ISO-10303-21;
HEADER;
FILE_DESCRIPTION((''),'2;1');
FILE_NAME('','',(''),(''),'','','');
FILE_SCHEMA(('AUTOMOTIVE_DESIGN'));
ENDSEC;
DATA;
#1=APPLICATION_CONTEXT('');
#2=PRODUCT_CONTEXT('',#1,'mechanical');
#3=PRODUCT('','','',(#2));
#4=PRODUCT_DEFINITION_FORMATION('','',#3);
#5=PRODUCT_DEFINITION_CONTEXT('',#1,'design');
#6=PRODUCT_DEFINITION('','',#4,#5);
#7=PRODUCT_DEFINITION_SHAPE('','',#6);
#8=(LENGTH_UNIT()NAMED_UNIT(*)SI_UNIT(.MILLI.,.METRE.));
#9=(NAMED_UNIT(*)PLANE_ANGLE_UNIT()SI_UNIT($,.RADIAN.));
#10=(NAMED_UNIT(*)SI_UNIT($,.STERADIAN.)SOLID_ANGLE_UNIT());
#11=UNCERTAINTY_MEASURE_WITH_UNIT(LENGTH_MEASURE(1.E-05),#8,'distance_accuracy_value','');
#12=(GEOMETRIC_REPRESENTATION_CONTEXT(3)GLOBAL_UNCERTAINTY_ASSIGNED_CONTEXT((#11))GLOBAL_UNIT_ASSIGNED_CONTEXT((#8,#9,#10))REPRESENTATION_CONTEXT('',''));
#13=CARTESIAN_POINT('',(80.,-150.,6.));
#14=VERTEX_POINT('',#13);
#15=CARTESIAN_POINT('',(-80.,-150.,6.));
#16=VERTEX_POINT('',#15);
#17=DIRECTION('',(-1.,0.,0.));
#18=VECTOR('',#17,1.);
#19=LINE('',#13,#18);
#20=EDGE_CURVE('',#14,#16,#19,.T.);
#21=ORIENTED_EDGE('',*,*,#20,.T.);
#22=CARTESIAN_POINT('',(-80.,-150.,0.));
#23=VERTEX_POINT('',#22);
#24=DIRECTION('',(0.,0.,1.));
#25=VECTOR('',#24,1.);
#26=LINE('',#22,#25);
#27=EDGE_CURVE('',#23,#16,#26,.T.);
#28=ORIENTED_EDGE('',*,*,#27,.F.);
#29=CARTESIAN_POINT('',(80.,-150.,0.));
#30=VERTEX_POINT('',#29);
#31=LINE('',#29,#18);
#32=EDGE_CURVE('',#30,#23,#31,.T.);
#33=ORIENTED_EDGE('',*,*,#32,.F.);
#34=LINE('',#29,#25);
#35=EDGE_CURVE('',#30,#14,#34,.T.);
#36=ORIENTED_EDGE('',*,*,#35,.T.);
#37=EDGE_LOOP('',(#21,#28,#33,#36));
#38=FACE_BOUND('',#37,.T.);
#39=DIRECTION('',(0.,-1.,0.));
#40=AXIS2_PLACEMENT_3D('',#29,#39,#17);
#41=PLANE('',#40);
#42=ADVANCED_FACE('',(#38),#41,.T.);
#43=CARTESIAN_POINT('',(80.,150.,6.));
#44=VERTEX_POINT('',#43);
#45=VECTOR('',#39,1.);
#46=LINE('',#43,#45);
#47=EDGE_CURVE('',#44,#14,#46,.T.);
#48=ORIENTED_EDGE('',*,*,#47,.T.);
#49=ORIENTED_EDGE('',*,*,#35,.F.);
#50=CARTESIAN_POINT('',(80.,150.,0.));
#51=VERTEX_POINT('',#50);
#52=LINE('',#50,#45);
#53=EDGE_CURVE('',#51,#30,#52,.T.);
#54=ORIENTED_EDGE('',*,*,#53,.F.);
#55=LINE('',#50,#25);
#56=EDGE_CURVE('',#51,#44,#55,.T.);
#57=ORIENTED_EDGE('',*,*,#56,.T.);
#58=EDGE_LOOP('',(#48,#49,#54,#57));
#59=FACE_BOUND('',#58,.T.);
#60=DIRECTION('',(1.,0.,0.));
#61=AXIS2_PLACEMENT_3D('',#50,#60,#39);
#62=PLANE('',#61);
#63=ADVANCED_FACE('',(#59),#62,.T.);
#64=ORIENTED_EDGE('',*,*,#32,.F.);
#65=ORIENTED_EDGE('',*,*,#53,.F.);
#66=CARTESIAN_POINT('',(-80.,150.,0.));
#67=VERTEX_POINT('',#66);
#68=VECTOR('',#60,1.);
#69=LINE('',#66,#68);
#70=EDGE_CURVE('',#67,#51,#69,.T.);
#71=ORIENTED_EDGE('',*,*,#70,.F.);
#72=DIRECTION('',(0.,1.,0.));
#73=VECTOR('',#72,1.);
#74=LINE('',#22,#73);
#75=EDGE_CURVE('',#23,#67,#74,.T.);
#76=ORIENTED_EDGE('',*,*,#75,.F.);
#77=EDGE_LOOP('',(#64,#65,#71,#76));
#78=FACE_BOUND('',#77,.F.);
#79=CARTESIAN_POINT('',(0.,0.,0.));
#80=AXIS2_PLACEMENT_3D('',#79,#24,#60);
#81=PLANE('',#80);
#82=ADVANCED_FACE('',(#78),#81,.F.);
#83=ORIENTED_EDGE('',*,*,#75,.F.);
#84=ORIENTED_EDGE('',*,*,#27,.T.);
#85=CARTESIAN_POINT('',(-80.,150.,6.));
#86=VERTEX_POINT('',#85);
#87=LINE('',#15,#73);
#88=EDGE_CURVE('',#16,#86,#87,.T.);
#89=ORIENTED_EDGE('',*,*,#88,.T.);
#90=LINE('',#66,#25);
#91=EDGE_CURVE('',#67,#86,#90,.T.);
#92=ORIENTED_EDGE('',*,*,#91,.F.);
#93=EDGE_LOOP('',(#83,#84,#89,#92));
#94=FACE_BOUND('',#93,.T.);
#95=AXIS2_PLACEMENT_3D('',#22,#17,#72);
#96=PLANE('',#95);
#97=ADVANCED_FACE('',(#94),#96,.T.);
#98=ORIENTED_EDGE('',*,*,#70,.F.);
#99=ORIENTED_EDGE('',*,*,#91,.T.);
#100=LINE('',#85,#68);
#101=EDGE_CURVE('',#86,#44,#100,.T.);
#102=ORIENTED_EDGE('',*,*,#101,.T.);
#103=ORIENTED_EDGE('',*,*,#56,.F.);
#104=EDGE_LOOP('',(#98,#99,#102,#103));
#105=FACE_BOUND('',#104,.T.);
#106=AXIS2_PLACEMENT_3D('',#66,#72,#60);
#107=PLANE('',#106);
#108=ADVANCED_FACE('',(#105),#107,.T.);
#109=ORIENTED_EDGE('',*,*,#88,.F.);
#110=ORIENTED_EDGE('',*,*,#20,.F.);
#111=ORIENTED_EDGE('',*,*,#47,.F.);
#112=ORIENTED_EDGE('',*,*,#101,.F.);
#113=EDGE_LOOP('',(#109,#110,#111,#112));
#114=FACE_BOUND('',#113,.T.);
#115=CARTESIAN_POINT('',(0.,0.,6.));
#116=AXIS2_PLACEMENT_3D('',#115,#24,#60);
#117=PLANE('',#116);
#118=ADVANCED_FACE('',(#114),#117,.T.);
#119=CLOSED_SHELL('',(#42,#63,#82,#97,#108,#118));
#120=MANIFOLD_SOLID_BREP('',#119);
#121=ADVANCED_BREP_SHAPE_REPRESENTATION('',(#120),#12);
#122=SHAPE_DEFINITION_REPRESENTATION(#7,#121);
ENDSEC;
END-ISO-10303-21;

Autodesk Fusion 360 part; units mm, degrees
sketch "Sketch1" plane through (0, 0, 0) normal (0, 0, 1) x (1, 0, 0)
  line L0 (80, -150) -> (-80, -150)
  line L1 (-80, -150) -> (-80, 150)
  line L2 (-80, 150) -> (80, 150)
  line L3 (80, 150) -> (80, -150)
  line L4 (80, -150) -> (-80, 150) construction
  line L5 (-80, -150) -> (80, 150) construction
  dimension "d27" = 160
  dimension "d28" = 300
extrude "Extrude1" add sketch "Sketch1" along normal blind 6
sketch "Sketch2" plane through (0, 0, 6) normal (0, 0, 1) x (-1, 0, 0)
  line L0 (-80, -150) -> (80, -150)
  line L1 (80, -150) -> (80, 150)
  line L2 (80, 150) -> (-80, 150)
  line L3 (-80, 150) -> (-80, -150)
  circle A0 centre (66, 0) radius 6
  circle A1 centre (-66, 0) radius 6
  dimension "d31" = 12
  dimension "d32" = 12
  dimension "d33" = 132
  dimension "d34" = 66
sketch "Sketch3" plane through (0, 0, 0) normal (0, 0, 1) x (1, 0, 0)
equation "tray_L = 300 mm"
equation "tray_W = 160 mm"
equation "tray_T = 6 mm"
equation "rail_d = 12 mm"
equation "rail_spacing = 132 mm"
equation "jet_L = 100 mm"
equation "jet_W = 80 mm"
equation "jet_H = 29 mm"
equation "spk_L = 84 mm"
equation "spk_W = 43 mm"
equation "spk_H = 32 mm"
equation "npf_L = 94 mm"
equation "npf_W = 47 mm"
equation "npf_H = 23 mm"
equation "buck = 62 mm"
equation "buck_W = 38 mm"
equation "buck_H = 14 mm"
equation "dd_L = 60 mm"
equation "dd_W = 33 mm"
equation "dd_H = 17 mm"
equation "mic_L = 14 mm"
equation "mic_W = 10 mm"
equation "mic_H = 3 mm"
equation "rad_L = 40 mm"
equation "rad_W = 40 mm"
equation "rad_H = 10 mm"
equation "d27 = tray_W"
equation "d28 = tray_L"
equation "d29 = tray_T"
equation "d31 = rail_d"
equation "d32 = rail_d"
equation "d33 = rail_spacing"
